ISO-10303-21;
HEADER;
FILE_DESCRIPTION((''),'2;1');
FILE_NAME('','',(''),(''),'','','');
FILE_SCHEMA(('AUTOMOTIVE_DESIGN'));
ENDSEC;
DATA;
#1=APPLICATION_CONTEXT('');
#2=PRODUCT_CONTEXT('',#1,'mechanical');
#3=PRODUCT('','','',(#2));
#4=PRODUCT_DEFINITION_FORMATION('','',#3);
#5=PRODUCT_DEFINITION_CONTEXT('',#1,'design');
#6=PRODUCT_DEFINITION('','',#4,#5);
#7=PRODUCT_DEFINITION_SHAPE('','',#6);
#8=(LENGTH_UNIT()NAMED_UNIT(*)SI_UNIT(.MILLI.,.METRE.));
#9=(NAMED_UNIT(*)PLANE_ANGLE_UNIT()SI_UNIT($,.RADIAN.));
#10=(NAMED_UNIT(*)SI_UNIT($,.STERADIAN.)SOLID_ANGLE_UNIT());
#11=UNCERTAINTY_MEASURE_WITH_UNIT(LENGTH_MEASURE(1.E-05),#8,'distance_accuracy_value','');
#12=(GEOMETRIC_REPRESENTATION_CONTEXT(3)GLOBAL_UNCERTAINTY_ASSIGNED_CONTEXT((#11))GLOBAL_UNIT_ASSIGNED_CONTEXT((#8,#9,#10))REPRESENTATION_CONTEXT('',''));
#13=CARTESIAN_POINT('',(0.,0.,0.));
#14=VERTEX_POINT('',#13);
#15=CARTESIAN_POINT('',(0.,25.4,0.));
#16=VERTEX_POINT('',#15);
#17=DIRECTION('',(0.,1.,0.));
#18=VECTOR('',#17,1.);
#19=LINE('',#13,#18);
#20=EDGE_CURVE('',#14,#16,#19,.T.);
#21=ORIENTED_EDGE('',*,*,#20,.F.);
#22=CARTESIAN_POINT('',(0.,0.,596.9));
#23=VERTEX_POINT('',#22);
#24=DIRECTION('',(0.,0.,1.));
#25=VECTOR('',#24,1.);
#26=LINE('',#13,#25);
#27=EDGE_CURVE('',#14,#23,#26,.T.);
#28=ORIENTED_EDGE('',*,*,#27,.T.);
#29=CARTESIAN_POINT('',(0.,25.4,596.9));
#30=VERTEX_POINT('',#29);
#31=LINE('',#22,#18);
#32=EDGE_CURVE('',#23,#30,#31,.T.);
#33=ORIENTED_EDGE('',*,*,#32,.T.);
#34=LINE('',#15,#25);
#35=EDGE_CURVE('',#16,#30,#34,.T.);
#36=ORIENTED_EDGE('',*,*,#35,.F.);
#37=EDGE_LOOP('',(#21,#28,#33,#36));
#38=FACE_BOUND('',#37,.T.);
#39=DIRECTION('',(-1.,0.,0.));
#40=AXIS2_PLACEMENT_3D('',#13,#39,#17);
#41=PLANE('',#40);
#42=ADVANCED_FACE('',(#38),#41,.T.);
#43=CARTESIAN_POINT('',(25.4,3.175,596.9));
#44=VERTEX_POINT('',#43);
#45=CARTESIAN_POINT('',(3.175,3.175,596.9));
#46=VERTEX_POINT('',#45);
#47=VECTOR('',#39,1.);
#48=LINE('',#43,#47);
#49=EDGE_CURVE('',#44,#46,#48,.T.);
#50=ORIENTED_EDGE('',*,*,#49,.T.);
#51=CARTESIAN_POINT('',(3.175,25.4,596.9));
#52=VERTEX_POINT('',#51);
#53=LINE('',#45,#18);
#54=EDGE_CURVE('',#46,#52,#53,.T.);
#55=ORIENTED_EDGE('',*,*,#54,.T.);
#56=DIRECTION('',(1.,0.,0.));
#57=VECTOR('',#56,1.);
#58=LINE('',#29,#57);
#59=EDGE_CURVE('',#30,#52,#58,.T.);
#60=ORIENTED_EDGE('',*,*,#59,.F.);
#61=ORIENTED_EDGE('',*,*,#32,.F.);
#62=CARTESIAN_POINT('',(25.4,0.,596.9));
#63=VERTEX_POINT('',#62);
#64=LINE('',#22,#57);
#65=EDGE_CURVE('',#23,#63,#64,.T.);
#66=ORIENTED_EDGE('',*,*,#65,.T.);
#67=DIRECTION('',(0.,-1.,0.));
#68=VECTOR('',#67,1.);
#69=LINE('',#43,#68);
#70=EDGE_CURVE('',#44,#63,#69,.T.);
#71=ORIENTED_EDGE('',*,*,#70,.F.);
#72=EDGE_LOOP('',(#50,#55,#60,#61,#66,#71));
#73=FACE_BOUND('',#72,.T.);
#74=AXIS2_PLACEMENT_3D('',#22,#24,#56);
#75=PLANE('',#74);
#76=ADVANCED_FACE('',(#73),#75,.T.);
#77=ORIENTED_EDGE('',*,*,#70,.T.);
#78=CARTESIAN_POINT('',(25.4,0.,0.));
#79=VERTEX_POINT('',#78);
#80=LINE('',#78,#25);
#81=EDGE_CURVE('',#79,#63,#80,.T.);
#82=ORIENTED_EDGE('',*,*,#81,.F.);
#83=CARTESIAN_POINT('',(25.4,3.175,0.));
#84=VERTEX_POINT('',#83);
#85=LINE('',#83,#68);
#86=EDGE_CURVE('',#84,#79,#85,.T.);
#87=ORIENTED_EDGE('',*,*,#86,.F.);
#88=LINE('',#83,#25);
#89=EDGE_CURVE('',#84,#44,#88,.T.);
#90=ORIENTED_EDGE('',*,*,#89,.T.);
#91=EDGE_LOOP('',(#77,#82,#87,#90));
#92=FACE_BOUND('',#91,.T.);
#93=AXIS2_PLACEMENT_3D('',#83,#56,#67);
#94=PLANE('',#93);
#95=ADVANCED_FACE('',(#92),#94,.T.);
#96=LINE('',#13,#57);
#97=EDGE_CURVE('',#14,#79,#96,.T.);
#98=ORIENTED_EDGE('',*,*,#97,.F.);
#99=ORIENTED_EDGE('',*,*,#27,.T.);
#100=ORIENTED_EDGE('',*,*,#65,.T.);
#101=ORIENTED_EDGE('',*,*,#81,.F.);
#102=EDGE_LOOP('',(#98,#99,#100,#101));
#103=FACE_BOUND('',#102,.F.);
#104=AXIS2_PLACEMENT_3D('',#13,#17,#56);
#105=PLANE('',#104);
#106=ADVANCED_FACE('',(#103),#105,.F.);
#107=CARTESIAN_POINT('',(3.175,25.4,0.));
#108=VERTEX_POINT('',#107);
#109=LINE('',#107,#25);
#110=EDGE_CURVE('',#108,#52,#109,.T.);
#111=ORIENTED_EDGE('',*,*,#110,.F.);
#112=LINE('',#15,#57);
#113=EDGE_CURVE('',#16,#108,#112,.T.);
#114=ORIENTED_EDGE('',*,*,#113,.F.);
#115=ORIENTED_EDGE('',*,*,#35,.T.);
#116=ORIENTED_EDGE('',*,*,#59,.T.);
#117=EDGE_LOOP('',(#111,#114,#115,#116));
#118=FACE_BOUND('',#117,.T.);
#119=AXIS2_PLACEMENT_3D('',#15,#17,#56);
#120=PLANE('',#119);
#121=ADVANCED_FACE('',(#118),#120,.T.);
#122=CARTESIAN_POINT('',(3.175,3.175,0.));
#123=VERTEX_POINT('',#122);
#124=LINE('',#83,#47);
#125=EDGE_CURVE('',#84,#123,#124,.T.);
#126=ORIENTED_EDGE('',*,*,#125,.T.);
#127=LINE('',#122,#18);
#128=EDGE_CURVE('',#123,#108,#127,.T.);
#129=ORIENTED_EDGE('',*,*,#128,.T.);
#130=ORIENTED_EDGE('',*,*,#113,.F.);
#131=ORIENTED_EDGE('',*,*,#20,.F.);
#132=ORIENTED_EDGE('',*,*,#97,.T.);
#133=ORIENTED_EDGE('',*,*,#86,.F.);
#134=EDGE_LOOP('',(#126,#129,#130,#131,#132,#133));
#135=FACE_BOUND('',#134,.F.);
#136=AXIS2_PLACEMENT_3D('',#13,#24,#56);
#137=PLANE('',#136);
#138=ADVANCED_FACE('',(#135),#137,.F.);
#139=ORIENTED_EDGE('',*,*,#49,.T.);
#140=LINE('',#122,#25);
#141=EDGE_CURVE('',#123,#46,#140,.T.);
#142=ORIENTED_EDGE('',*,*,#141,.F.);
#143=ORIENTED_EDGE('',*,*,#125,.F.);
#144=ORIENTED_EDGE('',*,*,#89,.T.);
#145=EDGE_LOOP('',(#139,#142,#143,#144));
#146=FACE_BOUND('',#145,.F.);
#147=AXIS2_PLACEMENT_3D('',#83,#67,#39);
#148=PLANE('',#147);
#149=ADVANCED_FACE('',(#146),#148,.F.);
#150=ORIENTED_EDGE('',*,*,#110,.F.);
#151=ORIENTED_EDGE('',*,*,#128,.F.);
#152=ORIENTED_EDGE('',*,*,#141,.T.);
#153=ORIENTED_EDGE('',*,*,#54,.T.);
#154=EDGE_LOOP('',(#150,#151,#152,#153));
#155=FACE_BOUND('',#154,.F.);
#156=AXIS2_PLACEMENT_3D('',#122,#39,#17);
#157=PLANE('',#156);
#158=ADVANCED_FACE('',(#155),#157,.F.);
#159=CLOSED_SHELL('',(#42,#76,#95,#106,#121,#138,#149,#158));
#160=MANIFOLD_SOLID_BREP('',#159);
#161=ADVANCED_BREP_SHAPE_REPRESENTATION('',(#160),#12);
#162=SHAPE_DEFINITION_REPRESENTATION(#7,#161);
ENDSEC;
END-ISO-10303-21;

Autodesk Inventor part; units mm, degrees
ref_plane "YZ Plane" through (0, 0, 0) normal (1, 0, 0) x (0, 1, 0)
ref_plane "XZ Plane" through (0, 0, 0) normal (0, 1, 0) x (-1, 0, 0)
ref_plane "XY Plane" through (0, 0, 0) normal (0, 0, 1) x (1, 0, 0)
sketch "Sketch1" plane through (0, 0, 0) normal (0, 0, 1) x (1, 0, 0)
  line L0 (0, 0) -> (0, 25.4)
  line L1 (0, 0) -> (25.4, 0)
  line L2 (25.4, 3.175) -> (3.175, 3.175)
  line L3 (3.175, 3.175) -> (3.175, 25.4)
  line L4 (25.4, 3.175) -> (25.4, 0)
  line L5 (0, 25.4) -> (3.175, 25.4)
  dimension "d0" = 25.4
  dimension "d1" = 25.4
  dimension "d2" = 3.175
extrude "Extrusion1" add sketch "Sketch1" along normal blind 596.9
properties part number "23.5 L bracket"
